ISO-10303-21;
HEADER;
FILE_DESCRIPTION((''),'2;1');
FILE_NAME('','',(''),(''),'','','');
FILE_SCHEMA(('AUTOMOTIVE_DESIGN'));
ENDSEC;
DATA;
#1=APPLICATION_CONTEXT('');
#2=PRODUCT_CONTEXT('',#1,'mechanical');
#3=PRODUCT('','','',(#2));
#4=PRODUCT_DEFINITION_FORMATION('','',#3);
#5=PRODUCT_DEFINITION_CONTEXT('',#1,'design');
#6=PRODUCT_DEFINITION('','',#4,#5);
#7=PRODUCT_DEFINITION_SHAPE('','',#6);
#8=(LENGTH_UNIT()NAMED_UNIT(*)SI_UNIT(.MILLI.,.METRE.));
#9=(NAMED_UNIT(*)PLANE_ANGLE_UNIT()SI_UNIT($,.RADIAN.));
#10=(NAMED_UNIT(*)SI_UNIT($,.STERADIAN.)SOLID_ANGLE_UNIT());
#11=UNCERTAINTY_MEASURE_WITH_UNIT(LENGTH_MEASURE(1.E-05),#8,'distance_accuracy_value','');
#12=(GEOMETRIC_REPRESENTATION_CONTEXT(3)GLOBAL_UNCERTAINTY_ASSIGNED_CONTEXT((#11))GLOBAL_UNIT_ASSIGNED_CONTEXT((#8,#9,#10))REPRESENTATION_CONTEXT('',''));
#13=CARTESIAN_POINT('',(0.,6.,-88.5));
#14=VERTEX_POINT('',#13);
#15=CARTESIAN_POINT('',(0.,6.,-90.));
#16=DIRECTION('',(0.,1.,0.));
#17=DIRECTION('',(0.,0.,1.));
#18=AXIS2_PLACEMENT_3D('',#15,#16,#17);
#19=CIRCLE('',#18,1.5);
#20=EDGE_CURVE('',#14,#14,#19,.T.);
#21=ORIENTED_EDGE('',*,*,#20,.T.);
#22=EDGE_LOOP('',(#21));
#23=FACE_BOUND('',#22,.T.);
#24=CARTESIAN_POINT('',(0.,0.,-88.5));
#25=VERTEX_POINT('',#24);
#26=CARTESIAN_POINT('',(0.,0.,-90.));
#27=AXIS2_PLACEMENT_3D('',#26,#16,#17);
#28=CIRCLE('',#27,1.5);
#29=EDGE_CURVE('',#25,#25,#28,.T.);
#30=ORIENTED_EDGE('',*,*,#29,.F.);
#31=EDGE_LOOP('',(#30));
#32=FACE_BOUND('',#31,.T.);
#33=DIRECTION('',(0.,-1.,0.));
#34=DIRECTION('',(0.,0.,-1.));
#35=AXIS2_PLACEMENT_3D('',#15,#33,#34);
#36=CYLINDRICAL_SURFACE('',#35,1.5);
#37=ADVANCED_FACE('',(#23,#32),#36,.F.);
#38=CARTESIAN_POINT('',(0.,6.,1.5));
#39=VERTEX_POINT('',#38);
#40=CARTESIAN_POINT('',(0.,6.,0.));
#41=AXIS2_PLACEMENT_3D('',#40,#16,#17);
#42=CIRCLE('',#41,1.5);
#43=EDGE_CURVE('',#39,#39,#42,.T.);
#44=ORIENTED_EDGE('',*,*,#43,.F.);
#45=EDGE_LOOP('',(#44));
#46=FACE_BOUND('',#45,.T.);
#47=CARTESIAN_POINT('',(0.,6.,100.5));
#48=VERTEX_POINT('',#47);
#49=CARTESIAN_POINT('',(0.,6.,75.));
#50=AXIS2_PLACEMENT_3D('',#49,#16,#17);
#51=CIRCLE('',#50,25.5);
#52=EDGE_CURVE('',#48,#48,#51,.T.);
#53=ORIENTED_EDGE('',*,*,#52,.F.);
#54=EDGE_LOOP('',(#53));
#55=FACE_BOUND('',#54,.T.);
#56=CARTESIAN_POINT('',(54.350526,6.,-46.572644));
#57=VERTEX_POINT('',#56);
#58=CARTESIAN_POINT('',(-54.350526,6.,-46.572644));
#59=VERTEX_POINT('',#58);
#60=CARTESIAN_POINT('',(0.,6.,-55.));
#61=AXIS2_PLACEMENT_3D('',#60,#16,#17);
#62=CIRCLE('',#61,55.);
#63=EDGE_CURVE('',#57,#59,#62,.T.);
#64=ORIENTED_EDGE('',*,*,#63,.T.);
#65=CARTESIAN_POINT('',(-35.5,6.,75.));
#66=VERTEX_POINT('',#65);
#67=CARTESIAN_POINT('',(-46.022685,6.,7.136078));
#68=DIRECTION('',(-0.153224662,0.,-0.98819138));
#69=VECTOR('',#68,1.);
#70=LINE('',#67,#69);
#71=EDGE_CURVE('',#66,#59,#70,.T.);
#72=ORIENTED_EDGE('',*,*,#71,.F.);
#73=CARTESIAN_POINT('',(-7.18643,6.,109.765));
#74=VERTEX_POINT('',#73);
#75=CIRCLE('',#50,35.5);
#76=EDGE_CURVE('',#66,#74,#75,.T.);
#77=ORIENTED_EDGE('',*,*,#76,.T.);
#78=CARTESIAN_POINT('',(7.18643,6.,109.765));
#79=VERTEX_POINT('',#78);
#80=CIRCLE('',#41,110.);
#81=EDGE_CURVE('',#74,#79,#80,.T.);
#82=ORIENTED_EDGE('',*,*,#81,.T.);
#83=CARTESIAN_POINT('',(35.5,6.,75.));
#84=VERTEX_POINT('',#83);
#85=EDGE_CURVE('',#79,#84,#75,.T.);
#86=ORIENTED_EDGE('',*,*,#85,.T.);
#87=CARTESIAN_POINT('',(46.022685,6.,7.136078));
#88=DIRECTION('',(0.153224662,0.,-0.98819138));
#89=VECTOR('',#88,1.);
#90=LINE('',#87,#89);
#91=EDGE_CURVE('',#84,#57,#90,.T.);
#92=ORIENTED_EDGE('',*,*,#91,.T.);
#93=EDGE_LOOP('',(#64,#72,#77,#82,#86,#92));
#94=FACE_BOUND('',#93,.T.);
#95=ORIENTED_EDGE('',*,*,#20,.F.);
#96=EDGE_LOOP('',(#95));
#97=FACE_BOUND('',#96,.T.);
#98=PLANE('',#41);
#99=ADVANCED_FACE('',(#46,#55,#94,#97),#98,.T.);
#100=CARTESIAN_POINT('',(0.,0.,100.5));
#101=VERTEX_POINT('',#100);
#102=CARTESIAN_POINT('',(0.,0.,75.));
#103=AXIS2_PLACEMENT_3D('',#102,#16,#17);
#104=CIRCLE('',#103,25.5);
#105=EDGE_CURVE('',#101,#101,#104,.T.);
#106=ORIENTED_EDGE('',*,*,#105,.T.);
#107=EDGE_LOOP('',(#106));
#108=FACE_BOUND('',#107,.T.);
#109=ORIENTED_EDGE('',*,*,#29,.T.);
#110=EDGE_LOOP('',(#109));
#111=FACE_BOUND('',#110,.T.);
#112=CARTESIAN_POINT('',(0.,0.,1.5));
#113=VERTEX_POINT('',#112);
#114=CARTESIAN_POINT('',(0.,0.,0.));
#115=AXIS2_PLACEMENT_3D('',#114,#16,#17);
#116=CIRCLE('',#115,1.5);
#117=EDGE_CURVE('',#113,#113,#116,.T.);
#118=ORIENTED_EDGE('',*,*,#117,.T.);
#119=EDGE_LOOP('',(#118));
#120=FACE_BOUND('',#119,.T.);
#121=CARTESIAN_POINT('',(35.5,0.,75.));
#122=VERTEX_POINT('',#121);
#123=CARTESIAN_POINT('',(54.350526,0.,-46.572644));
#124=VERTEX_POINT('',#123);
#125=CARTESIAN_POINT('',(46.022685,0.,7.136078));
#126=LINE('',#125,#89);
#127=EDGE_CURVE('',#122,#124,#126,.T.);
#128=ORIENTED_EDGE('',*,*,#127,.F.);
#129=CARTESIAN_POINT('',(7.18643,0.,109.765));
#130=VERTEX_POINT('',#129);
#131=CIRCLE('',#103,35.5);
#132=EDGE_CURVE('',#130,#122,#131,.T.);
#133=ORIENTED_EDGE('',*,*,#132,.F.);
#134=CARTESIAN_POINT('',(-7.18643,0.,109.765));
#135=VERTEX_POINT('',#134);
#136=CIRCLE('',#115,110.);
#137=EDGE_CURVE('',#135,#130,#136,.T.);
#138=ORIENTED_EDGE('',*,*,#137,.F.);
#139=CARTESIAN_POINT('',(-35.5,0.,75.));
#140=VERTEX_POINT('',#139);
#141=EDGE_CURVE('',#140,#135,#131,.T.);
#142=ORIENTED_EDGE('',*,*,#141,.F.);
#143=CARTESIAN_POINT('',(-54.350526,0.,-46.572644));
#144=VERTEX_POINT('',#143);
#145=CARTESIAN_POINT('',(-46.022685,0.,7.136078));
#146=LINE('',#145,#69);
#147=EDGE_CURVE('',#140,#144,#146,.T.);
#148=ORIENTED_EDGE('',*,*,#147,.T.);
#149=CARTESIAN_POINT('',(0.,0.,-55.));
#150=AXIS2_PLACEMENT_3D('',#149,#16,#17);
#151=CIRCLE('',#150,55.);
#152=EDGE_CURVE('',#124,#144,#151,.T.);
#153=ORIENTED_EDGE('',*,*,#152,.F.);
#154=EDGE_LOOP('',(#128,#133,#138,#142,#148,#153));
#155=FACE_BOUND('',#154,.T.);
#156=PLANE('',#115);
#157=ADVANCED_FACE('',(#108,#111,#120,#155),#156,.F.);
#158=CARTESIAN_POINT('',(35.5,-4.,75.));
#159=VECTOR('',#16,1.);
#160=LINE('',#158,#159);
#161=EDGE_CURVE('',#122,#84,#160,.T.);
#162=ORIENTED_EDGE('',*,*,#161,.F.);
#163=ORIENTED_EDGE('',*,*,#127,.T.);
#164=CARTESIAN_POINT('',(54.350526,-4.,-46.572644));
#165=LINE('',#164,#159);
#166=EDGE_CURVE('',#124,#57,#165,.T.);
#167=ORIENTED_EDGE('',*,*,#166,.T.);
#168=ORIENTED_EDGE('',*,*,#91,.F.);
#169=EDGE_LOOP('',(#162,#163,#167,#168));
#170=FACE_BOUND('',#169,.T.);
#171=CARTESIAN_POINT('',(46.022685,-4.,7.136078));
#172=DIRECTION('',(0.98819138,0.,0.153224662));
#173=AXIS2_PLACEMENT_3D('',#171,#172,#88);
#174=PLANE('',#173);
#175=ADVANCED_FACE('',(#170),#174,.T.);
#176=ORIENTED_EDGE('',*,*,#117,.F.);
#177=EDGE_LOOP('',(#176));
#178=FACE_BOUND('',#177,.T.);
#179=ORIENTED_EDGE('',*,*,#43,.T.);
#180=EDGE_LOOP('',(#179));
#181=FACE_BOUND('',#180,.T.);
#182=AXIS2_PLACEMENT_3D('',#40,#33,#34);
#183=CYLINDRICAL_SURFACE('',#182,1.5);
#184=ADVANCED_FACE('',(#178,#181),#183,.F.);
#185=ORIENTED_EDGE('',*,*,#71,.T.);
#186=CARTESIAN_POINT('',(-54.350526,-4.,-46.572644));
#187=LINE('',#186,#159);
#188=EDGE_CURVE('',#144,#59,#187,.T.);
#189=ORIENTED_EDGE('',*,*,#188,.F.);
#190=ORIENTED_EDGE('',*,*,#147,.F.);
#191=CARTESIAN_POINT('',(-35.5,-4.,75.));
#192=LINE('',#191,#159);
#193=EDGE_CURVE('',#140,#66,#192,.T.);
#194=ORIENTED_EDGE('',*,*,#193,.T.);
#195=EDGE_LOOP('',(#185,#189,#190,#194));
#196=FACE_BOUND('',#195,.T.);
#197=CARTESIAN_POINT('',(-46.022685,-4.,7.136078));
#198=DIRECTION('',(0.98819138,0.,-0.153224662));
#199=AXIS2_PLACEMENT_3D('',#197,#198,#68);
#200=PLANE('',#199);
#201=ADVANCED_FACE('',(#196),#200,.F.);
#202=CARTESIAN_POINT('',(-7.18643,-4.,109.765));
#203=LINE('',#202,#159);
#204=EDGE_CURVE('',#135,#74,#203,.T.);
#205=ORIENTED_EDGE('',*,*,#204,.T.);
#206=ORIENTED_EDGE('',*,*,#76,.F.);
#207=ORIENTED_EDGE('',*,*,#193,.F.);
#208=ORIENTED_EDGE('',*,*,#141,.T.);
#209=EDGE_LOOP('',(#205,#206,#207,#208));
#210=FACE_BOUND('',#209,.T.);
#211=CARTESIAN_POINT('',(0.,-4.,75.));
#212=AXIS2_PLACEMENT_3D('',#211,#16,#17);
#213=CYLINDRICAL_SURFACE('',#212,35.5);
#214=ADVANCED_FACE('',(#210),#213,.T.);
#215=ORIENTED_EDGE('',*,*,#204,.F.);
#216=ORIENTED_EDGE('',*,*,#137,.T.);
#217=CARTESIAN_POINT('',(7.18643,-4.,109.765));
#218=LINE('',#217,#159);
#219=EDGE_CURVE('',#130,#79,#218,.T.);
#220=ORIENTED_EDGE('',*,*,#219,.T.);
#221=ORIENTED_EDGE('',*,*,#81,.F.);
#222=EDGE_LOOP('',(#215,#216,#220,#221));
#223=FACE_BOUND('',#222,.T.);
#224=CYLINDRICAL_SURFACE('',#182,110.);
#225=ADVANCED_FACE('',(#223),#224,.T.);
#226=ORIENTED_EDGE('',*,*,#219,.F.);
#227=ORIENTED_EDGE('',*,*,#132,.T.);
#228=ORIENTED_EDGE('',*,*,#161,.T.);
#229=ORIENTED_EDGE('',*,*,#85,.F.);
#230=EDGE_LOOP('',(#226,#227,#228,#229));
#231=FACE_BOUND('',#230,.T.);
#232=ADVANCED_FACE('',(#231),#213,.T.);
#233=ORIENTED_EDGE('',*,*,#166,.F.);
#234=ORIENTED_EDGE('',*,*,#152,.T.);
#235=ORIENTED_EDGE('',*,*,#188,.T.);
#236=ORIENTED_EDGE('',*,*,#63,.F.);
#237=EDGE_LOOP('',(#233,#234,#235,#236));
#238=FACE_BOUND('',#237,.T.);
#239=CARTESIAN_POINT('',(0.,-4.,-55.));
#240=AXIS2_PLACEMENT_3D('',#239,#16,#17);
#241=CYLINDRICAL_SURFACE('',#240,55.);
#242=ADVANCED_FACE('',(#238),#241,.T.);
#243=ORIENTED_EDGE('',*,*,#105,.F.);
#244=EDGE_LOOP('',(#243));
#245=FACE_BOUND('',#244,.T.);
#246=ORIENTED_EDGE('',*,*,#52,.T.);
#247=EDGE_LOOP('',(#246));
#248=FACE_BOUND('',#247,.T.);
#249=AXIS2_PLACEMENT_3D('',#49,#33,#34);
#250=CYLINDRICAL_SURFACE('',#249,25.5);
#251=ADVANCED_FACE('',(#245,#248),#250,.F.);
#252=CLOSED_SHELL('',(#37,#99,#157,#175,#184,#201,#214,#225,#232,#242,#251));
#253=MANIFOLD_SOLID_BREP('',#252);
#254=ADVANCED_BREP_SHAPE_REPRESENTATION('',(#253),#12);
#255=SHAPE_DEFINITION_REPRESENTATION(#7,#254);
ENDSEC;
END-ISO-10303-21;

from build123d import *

# Parameters (mm, degrees)
SKETCH1_R           = 1.5
BOSS_EXTRUDE1_DEPTH = 6
CUT_EXTRUDE1_START  = -10
CUT_EXTRUDE1_DEPTH  = 10


with BuildPart() as part:
    # Sketch1 → Boss-Extrude1 (new body)
    # profile 1 of 3: a face of its own
    with BuildSketch(Plane(origin=(0, 0, 0), x_dir=(1, 0, 0), z_dir=(0, 1, 0))):
        with BuildLine():
            ThreePointArc((110, 0), (97.61406367, 50.709906072), (63.245553203, 90))
            Line((63.245553203, 90), (1.5, 90))
            ThreePointArc((1.5, 90), (0, 88.5), (-1.5, 90))
            Line((-1.5, 90), (-63.245553203, 90))
            ThreePointArc((-63.245553203, 90), (-109.405676864, 11.419188675), (-80.467384697, -75))
            Line((-80.467384697, -75), (-25.5, -75))
            ThreePointArc((-25.5, -75), (0, -49.5), (25.5, -75))
            Line((25.5, -75), (80.467384697, -75))
            ThreePointArc((80.467384697, -75), (102.350897203, -40.302528973), (110, 0))
        make_face()
        with Locations(Location((0, 0, 0), (0, 0, 270))):
            Circle(SKETCH1_R, mode=Mode.SUBTRACT)
    # profile 2 of 3: a face of its own
    with BuildSketch(Plane(origin=(0, 0, 0), x_dir=(1, 0, 0), z_dir=(0, 1, 0))):
        with BuildLine():
            ThreePointArc((-80.467384697, -75), (0, -110), (80.467384697, -75))
            Line((80.467384697, -75), (25.5, -75))
            ThreePointArc((25.5, -75), (0, -100.5), (-25.5, -75))
            Line((-25.5, -75), (-80.467384697, -75))
        make_face()
    # profile 3 of 3: a face of its own
    with BuildSketch(Plane(origin=(0, 0, 0), x_dir=(1, 0, 0), z_dir=(0, 1, 0))):
        with BuildLine():
            Line((1.5, 90), (63.245553203, 90))
            ThreePointArc((63.245553203, 90), (0, 110), (-63.245553203, 90))
            Line((-63.245553203, 90), (-1.5, 90))
            ThreePointArc((-1.5, 90), (0, 91.5), (1.5, 90))
        make_face()
    extrude(amount=BOSS_EXTRUDE1_DEPTH)

    # Sketch2 → Cut-Extrude1 (cut)
    with BuildSketch(Plane(origin=(0, 6, 0), x_dir=(1, 0, 0), z_dir=(0, 1, 0)).offset(CUT_EXTRUDE1_START)):
        with BuildLine():
            Line((54.350525887, 46.572643608), (35.5, -75))
            ThreePointArc((35.5, -75), (27.52606276, -97.417980929), (7.18642992, -109.765))
            ThreePointArc((7.18642992, -109.765), (80.282337071, -75.198047544), (110, 0))
            ThreePointArc((110, 0), (77.781745816, 77.781746045), (-3.23e-07, 110))
            ThreePointArc((-3.23e-07, 110), (38.890872851, 93.890873079), (55, 55))
            ThreePointArc((55, 55), (54.837391093, 50.773827015), (54.350525887, 46.572643608))
        make_face()
        with BuildLine():
            ThreePointArc((-7.18642992, -109.765), (-27.52606276, -97.417980929), (-35.5, -75))
            Line((-35.5, -75), (-54.350525887, 46.572643608))
            ThreePointArc((-54.350525887, 46.572643608), (-41.764246786, 90.787535406), (-3.23e-07, 110))
            ThreePointArc((-3.23e-07, 110), (-109.941234308, 3.595135441), (-7.18642992, -109.765))
        make_face()
    extrude(amount=CUT_EXTRUDE1_DEPTH, mode=Mode.SUBTRACT)


solid = part.part
